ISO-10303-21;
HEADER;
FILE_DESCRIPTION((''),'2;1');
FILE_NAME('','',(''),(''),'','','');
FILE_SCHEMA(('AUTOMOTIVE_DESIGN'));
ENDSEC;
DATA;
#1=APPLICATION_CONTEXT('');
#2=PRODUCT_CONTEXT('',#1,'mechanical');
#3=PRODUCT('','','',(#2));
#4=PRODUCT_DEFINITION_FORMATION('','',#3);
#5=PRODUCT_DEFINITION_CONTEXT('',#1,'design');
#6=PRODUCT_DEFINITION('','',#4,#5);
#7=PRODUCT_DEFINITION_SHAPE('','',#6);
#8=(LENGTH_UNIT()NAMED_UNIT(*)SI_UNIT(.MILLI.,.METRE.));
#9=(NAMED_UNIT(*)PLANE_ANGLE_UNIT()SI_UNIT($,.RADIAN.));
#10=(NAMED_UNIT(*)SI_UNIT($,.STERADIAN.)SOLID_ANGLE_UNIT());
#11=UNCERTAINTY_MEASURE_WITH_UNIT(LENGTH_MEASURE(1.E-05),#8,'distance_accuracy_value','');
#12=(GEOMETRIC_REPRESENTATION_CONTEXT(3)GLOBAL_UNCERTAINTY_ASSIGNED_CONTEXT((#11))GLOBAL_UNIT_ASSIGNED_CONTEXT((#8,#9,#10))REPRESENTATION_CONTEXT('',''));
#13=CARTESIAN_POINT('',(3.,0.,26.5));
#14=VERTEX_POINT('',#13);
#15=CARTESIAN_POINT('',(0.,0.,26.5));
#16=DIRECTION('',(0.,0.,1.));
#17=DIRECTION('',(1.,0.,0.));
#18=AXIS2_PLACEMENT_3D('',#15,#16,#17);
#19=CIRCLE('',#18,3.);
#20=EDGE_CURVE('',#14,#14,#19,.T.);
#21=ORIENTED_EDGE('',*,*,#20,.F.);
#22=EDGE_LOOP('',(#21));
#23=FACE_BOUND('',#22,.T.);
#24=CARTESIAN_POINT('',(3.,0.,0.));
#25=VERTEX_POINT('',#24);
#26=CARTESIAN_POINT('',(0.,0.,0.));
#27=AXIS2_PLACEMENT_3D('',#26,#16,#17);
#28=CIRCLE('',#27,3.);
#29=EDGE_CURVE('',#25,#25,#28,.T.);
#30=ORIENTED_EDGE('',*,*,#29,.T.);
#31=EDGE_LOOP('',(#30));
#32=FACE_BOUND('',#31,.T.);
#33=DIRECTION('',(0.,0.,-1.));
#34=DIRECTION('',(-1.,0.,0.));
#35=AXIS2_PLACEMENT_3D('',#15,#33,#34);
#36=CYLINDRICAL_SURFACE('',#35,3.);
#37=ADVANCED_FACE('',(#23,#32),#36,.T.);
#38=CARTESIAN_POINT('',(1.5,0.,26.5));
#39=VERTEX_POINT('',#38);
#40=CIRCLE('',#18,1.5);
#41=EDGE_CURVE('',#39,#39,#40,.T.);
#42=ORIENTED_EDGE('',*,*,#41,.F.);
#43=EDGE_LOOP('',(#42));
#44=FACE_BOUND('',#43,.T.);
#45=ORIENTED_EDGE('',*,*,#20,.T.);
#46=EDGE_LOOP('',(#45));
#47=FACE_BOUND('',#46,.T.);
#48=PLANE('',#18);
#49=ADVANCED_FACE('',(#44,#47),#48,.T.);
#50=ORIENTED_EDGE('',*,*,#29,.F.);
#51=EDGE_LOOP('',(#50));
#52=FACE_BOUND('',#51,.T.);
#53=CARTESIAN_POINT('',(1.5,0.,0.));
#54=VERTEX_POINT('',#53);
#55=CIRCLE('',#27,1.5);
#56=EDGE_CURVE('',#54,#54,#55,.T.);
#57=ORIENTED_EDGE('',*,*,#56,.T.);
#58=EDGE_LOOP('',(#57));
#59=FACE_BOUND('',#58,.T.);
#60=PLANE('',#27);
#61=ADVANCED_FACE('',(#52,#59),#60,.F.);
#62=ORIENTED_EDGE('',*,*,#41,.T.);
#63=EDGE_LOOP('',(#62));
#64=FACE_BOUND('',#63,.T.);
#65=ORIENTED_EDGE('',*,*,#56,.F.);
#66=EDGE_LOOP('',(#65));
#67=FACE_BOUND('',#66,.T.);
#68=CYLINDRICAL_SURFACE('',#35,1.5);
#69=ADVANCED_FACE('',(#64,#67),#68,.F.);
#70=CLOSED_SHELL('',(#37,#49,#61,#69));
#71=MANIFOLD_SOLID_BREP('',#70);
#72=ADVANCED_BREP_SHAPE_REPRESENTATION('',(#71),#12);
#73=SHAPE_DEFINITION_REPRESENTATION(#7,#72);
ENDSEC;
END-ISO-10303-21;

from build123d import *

# Parameters (mm, degrees)
SKETCH_1_R      = 3
SKETCH_1_R_2    = 1.5
EXTRUDE_1_DEPTH = 26.5


with BuildPart() as part:
    # 草图1 → 凸台-拉伸1 (new body)
    with BuildSketch(Plane.XY):
        Circle(SKETCH_1_R)
        Circle(SKETCH_1_R_2, mode=Mode.SUBTRACT)
    extrude(amount=EXTRUDE_1_DEPTH)


solid = part.part
